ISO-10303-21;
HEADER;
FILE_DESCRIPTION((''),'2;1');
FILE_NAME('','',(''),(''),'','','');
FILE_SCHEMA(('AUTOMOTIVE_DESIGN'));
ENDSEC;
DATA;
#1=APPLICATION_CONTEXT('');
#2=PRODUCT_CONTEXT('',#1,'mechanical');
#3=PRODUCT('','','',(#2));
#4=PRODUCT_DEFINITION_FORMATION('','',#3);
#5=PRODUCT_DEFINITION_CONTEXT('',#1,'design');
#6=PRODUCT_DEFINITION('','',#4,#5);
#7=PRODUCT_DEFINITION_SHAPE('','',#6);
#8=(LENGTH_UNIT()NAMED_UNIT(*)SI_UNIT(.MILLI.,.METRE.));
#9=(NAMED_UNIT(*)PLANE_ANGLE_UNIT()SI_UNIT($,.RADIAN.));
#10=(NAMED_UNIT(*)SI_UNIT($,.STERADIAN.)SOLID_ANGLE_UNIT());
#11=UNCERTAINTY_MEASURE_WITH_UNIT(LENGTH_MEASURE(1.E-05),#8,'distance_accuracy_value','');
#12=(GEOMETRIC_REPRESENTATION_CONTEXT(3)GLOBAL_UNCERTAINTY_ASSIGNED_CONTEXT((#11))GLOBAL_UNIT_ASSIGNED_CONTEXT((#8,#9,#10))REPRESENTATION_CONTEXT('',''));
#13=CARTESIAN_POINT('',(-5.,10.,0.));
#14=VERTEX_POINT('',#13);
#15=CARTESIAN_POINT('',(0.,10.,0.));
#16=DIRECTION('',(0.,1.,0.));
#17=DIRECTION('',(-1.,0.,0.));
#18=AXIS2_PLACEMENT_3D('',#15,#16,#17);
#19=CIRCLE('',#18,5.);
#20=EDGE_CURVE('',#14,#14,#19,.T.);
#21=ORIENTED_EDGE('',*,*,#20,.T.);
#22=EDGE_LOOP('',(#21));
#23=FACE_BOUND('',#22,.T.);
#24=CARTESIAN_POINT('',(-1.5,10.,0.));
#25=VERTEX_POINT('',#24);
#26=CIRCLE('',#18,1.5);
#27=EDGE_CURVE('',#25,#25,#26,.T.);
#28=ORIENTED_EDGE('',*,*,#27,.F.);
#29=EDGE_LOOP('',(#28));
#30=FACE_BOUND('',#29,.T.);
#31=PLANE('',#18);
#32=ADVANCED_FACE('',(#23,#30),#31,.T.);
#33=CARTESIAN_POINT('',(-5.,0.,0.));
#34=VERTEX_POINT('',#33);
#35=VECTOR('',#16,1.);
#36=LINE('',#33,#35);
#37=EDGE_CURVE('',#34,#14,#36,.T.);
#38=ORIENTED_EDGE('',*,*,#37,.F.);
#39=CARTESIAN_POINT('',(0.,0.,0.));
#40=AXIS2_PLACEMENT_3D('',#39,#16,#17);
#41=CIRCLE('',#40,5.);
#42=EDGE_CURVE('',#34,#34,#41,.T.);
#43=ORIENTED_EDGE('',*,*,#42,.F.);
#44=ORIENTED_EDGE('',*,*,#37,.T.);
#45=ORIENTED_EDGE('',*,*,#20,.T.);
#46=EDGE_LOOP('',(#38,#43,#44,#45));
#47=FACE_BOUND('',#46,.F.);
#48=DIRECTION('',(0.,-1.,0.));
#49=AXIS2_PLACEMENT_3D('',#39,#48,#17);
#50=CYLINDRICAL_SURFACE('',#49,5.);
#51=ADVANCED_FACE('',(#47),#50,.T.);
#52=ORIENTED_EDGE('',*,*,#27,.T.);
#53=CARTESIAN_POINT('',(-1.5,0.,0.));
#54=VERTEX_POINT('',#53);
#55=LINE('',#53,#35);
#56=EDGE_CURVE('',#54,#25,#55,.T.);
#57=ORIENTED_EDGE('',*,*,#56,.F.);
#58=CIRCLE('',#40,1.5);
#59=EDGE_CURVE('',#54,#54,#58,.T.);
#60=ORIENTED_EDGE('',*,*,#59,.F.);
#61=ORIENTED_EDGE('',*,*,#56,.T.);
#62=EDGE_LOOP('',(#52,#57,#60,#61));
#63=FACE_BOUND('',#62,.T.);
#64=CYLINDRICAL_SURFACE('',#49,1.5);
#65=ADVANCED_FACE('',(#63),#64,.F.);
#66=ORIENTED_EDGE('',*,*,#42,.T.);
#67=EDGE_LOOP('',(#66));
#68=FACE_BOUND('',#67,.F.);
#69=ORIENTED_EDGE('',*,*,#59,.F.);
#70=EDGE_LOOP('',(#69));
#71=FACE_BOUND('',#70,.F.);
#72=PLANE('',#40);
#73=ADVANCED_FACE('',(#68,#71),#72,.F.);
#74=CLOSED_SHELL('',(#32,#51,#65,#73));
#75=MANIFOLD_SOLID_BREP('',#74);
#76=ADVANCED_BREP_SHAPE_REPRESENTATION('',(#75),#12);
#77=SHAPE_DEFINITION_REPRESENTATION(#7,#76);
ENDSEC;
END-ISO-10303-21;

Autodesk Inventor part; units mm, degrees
ref_plane "YZ Plane" through (0, 0, 0) normal (1, 0, 0) x (0, 1, 0)
ref_plane "XZ Plane" through (0, 0, 0) normal (0, 1, 0) x (-1, 0, 0)
ref_plane "XY Plane" through (0, 0, 0) normal (0, 0, 1) x (1, 0, 0)
sketch "草圖1" plane through (0, 0, 0) normal (0, 1, 0) x (-1, 0, 0)
  circle A0 centre (0, 0) radius 5
  circle A1 centre (0, 0) radius 1.5
  dimension "d0" = 10
  dimension "d1" = 3
extrude "擠出1" add sketch "草圖1" along normal blind 10
properties part number "rf"
